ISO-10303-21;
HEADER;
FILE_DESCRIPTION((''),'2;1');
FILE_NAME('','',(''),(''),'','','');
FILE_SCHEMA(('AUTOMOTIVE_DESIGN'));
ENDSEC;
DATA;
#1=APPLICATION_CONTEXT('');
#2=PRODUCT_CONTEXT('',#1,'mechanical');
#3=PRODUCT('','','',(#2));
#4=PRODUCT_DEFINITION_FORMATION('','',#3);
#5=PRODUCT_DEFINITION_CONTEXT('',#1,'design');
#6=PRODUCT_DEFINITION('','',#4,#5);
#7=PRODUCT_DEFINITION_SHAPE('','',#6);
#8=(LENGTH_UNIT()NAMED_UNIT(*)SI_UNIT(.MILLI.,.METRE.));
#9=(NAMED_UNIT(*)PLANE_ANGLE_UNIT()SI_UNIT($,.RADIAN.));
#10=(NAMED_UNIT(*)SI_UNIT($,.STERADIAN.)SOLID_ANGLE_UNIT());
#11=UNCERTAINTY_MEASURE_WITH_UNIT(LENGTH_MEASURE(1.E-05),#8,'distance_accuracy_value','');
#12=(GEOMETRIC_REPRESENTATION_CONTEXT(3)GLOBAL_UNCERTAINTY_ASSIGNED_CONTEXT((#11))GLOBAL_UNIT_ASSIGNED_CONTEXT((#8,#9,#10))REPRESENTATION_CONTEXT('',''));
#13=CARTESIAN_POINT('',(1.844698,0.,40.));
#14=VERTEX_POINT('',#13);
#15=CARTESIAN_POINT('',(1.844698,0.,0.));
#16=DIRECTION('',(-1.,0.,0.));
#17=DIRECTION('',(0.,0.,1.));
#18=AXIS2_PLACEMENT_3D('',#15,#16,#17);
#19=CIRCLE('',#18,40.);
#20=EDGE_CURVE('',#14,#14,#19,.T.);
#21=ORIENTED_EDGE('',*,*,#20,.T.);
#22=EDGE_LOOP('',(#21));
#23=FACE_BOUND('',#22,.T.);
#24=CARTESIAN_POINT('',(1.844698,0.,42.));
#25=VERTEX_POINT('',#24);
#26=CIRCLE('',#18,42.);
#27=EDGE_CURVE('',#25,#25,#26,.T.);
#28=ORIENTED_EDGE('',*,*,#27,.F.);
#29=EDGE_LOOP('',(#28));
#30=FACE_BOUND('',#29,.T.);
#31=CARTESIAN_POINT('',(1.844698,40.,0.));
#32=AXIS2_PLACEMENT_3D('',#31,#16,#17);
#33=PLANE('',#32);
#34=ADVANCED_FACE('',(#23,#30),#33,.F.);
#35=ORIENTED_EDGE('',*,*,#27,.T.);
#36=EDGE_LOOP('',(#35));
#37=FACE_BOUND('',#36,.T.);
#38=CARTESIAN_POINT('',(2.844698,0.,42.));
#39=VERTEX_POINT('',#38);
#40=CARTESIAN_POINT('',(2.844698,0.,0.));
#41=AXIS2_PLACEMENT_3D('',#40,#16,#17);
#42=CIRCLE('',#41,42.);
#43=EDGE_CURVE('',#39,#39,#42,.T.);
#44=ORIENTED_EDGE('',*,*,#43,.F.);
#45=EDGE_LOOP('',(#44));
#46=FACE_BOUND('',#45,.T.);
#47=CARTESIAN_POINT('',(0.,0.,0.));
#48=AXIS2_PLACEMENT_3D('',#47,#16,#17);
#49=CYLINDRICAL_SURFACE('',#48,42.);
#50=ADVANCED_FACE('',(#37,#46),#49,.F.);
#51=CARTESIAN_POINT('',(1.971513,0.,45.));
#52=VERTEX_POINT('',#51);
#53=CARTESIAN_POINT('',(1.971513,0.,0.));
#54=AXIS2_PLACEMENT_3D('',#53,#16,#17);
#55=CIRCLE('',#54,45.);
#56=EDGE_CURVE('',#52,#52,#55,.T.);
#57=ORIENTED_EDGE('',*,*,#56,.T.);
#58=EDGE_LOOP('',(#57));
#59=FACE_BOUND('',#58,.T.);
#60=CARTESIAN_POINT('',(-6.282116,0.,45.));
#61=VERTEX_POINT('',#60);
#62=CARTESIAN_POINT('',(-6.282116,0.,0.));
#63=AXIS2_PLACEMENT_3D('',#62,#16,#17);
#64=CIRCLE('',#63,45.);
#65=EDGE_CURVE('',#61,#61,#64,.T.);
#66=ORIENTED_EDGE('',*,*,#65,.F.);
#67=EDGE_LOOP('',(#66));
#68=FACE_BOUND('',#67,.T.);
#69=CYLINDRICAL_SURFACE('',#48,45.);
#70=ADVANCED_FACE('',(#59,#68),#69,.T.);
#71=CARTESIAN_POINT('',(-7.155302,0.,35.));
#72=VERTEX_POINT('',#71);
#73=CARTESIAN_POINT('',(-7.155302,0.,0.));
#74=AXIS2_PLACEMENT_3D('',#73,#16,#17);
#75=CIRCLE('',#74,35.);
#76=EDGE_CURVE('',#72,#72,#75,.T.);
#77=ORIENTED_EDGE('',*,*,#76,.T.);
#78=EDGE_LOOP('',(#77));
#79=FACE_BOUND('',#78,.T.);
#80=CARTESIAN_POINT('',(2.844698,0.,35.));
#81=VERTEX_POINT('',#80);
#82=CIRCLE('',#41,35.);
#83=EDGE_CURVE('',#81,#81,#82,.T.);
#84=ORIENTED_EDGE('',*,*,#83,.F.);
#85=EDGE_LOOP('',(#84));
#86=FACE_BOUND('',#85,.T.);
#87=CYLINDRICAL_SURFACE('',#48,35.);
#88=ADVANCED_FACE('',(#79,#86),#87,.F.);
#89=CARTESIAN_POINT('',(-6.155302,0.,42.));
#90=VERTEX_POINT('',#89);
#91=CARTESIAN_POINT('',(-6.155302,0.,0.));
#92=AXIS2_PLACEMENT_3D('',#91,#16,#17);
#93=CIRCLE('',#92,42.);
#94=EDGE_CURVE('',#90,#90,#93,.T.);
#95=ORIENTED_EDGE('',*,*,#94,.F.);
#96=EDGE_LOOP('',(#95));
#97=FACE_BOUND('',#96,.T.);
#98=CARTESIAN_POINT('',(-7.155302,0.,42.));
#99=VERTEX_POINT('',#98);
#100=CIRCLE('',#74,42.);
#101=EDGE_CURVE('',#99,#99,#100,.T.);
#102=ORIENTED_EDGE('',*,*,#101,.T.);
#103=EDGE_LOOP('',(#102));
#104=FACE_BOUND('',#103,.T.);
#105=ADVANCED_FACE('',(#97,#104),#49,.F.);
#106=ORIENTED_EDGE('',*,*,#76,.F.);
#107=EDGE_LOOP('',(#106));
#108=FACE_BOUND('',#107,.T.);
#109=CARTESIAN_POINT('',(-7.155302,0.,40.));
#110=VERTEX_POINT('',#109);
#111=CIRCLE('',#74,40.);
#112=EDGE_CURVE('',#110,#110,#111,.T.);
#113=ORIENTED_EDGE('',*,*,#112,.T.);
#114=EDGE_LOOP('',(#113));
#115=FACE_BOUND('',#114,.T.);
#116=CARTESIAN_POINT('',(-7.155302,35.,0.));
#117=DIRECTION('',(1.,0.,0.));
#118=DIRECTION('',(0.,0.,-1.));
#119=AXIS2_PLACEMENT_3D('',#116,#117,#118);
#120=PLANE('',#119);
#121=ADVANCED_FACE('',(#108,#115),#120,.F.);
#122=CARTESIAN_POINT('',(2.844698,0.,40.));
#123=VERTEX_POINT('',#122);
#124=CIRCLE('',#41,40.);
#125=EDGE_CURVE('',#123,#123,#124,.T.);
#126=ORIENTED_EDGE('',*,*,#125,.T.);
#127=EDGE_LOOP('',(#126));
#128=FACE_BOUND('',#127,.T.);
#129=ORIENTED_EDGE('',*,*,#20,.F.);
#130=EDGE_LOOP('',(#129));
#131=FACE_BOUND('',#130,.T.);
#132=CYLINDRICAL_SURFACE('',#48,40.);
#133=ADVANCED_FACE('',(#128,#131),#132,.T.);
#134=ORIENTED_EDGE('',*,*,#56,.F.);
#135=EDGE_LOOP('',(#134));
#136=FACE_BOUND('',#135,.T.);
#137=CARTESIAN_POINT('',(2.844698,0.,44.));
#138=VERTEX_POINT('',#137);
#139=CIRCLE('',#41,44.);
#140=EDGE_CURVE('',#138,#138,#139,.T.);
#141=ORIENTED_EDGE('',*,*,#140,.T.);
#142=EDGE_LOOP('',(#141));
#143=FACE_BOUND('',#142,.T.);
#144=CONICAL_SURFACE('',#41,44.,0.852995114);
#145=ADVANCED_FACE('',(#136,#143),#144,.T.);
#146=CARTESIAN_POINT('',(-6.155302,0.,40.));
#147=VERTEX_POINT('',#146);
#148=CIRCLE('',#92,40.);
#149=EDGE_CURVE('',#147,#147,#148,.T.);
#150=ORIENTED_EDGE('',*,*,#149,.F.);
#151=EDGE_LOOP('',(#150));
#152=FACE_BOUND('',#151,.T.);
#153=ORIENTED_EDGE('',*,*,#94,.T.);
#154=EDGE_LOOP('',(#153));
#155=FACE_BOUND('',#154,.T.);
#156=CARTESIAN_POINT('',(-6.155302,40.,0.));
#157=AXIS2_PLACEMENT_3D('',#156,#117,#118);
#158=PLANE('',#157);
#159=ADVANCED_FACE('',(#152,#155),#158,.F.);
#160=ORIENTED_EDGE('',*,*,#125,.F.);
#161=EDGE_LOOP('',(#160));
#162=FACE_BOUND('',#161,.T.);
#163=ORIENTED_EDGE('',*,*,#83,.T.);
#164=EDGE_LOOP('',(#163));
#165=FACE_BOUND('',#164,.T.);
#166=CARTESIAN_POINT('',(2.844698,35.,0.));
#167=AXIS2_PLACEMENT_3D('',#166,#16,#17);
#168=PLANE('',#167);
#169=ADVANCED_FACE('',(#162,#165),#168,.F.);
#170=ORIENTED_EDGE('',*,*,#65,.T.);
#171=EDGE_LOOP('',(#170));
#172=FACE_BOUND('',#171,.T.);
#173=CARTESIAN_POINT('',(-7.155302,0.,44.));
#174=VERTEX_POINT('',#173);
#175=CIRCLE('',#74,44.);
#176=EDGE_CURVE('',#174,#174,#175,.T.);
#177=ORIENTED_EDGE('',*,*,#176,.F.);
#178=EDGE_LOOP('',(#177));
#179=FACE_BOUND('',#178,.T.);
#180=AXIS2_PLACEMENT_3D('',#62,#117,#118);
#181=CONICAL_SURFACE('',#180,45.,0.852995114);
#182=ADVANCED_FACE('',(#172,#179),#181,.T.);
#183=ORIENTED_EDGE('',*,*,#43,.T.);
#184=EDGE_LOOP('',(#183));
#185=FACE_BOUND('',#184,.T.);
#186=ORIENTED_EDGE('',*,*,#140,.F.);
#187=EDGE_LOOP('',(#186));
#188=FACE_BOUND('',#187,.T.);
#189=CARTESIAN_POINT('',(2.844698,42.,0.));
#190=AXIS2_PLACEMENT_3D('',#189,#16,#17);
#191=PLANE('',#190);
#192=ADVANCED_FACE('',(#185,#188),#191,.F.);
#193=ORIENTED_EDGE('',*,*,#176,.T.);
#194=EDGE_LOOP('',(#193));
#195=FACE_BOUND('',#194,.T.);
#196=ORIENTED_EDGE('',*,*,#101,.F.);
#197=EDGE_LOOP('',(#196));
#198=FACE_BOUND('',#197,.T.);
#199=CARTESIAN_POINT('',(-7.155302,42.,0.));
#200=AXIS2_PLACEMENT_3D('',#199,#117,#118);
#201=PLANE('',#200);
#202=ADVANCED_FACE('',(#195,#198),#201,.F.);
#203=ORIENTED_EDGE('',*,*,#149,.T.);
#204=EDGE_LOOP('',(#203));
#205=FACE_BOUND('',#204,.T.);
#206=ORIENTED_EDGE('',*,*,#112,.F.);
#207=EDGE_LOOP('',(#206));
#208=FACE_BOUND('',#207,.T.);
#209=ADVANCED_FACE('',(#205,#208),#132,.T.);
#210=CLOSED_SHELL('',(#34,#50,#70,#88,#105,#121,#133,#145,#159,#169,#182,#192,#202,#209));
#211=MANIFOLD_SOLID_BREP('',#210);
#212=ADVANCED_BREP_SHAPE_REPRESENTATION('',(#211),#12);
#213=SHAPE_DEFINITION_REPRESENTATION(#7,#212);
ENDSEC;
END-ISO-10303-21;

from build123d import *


with BuildPart() as part:
    # Sketch1 → Revolve1 (revolve)
    with BuildSketch(Plane.XY, mode=Mode.PRIVATE) as revolve1_sk:
        Polygon((2.844698491, 40), (1.844698491, 40), (1.844698491, 42), (2.844698491, 42), (2.844698491, 44), (1.97151331, 45), (-6.282116328, 45), (-7.155301509, 44), (-7.155301509, 42), (-6.155301509, 42), (-6.155301509, 40), (-7.155301509, 40), (-7.155301509, 35), (2.844698491, 35), align=None)
    revolve(revolve1_sk.sketch.rotate(Axis((0, 0, 0), (1, 0, 0)), 90), axis=Axis((0, 0, 0), (1, 0, 0)))


solid = part.part
